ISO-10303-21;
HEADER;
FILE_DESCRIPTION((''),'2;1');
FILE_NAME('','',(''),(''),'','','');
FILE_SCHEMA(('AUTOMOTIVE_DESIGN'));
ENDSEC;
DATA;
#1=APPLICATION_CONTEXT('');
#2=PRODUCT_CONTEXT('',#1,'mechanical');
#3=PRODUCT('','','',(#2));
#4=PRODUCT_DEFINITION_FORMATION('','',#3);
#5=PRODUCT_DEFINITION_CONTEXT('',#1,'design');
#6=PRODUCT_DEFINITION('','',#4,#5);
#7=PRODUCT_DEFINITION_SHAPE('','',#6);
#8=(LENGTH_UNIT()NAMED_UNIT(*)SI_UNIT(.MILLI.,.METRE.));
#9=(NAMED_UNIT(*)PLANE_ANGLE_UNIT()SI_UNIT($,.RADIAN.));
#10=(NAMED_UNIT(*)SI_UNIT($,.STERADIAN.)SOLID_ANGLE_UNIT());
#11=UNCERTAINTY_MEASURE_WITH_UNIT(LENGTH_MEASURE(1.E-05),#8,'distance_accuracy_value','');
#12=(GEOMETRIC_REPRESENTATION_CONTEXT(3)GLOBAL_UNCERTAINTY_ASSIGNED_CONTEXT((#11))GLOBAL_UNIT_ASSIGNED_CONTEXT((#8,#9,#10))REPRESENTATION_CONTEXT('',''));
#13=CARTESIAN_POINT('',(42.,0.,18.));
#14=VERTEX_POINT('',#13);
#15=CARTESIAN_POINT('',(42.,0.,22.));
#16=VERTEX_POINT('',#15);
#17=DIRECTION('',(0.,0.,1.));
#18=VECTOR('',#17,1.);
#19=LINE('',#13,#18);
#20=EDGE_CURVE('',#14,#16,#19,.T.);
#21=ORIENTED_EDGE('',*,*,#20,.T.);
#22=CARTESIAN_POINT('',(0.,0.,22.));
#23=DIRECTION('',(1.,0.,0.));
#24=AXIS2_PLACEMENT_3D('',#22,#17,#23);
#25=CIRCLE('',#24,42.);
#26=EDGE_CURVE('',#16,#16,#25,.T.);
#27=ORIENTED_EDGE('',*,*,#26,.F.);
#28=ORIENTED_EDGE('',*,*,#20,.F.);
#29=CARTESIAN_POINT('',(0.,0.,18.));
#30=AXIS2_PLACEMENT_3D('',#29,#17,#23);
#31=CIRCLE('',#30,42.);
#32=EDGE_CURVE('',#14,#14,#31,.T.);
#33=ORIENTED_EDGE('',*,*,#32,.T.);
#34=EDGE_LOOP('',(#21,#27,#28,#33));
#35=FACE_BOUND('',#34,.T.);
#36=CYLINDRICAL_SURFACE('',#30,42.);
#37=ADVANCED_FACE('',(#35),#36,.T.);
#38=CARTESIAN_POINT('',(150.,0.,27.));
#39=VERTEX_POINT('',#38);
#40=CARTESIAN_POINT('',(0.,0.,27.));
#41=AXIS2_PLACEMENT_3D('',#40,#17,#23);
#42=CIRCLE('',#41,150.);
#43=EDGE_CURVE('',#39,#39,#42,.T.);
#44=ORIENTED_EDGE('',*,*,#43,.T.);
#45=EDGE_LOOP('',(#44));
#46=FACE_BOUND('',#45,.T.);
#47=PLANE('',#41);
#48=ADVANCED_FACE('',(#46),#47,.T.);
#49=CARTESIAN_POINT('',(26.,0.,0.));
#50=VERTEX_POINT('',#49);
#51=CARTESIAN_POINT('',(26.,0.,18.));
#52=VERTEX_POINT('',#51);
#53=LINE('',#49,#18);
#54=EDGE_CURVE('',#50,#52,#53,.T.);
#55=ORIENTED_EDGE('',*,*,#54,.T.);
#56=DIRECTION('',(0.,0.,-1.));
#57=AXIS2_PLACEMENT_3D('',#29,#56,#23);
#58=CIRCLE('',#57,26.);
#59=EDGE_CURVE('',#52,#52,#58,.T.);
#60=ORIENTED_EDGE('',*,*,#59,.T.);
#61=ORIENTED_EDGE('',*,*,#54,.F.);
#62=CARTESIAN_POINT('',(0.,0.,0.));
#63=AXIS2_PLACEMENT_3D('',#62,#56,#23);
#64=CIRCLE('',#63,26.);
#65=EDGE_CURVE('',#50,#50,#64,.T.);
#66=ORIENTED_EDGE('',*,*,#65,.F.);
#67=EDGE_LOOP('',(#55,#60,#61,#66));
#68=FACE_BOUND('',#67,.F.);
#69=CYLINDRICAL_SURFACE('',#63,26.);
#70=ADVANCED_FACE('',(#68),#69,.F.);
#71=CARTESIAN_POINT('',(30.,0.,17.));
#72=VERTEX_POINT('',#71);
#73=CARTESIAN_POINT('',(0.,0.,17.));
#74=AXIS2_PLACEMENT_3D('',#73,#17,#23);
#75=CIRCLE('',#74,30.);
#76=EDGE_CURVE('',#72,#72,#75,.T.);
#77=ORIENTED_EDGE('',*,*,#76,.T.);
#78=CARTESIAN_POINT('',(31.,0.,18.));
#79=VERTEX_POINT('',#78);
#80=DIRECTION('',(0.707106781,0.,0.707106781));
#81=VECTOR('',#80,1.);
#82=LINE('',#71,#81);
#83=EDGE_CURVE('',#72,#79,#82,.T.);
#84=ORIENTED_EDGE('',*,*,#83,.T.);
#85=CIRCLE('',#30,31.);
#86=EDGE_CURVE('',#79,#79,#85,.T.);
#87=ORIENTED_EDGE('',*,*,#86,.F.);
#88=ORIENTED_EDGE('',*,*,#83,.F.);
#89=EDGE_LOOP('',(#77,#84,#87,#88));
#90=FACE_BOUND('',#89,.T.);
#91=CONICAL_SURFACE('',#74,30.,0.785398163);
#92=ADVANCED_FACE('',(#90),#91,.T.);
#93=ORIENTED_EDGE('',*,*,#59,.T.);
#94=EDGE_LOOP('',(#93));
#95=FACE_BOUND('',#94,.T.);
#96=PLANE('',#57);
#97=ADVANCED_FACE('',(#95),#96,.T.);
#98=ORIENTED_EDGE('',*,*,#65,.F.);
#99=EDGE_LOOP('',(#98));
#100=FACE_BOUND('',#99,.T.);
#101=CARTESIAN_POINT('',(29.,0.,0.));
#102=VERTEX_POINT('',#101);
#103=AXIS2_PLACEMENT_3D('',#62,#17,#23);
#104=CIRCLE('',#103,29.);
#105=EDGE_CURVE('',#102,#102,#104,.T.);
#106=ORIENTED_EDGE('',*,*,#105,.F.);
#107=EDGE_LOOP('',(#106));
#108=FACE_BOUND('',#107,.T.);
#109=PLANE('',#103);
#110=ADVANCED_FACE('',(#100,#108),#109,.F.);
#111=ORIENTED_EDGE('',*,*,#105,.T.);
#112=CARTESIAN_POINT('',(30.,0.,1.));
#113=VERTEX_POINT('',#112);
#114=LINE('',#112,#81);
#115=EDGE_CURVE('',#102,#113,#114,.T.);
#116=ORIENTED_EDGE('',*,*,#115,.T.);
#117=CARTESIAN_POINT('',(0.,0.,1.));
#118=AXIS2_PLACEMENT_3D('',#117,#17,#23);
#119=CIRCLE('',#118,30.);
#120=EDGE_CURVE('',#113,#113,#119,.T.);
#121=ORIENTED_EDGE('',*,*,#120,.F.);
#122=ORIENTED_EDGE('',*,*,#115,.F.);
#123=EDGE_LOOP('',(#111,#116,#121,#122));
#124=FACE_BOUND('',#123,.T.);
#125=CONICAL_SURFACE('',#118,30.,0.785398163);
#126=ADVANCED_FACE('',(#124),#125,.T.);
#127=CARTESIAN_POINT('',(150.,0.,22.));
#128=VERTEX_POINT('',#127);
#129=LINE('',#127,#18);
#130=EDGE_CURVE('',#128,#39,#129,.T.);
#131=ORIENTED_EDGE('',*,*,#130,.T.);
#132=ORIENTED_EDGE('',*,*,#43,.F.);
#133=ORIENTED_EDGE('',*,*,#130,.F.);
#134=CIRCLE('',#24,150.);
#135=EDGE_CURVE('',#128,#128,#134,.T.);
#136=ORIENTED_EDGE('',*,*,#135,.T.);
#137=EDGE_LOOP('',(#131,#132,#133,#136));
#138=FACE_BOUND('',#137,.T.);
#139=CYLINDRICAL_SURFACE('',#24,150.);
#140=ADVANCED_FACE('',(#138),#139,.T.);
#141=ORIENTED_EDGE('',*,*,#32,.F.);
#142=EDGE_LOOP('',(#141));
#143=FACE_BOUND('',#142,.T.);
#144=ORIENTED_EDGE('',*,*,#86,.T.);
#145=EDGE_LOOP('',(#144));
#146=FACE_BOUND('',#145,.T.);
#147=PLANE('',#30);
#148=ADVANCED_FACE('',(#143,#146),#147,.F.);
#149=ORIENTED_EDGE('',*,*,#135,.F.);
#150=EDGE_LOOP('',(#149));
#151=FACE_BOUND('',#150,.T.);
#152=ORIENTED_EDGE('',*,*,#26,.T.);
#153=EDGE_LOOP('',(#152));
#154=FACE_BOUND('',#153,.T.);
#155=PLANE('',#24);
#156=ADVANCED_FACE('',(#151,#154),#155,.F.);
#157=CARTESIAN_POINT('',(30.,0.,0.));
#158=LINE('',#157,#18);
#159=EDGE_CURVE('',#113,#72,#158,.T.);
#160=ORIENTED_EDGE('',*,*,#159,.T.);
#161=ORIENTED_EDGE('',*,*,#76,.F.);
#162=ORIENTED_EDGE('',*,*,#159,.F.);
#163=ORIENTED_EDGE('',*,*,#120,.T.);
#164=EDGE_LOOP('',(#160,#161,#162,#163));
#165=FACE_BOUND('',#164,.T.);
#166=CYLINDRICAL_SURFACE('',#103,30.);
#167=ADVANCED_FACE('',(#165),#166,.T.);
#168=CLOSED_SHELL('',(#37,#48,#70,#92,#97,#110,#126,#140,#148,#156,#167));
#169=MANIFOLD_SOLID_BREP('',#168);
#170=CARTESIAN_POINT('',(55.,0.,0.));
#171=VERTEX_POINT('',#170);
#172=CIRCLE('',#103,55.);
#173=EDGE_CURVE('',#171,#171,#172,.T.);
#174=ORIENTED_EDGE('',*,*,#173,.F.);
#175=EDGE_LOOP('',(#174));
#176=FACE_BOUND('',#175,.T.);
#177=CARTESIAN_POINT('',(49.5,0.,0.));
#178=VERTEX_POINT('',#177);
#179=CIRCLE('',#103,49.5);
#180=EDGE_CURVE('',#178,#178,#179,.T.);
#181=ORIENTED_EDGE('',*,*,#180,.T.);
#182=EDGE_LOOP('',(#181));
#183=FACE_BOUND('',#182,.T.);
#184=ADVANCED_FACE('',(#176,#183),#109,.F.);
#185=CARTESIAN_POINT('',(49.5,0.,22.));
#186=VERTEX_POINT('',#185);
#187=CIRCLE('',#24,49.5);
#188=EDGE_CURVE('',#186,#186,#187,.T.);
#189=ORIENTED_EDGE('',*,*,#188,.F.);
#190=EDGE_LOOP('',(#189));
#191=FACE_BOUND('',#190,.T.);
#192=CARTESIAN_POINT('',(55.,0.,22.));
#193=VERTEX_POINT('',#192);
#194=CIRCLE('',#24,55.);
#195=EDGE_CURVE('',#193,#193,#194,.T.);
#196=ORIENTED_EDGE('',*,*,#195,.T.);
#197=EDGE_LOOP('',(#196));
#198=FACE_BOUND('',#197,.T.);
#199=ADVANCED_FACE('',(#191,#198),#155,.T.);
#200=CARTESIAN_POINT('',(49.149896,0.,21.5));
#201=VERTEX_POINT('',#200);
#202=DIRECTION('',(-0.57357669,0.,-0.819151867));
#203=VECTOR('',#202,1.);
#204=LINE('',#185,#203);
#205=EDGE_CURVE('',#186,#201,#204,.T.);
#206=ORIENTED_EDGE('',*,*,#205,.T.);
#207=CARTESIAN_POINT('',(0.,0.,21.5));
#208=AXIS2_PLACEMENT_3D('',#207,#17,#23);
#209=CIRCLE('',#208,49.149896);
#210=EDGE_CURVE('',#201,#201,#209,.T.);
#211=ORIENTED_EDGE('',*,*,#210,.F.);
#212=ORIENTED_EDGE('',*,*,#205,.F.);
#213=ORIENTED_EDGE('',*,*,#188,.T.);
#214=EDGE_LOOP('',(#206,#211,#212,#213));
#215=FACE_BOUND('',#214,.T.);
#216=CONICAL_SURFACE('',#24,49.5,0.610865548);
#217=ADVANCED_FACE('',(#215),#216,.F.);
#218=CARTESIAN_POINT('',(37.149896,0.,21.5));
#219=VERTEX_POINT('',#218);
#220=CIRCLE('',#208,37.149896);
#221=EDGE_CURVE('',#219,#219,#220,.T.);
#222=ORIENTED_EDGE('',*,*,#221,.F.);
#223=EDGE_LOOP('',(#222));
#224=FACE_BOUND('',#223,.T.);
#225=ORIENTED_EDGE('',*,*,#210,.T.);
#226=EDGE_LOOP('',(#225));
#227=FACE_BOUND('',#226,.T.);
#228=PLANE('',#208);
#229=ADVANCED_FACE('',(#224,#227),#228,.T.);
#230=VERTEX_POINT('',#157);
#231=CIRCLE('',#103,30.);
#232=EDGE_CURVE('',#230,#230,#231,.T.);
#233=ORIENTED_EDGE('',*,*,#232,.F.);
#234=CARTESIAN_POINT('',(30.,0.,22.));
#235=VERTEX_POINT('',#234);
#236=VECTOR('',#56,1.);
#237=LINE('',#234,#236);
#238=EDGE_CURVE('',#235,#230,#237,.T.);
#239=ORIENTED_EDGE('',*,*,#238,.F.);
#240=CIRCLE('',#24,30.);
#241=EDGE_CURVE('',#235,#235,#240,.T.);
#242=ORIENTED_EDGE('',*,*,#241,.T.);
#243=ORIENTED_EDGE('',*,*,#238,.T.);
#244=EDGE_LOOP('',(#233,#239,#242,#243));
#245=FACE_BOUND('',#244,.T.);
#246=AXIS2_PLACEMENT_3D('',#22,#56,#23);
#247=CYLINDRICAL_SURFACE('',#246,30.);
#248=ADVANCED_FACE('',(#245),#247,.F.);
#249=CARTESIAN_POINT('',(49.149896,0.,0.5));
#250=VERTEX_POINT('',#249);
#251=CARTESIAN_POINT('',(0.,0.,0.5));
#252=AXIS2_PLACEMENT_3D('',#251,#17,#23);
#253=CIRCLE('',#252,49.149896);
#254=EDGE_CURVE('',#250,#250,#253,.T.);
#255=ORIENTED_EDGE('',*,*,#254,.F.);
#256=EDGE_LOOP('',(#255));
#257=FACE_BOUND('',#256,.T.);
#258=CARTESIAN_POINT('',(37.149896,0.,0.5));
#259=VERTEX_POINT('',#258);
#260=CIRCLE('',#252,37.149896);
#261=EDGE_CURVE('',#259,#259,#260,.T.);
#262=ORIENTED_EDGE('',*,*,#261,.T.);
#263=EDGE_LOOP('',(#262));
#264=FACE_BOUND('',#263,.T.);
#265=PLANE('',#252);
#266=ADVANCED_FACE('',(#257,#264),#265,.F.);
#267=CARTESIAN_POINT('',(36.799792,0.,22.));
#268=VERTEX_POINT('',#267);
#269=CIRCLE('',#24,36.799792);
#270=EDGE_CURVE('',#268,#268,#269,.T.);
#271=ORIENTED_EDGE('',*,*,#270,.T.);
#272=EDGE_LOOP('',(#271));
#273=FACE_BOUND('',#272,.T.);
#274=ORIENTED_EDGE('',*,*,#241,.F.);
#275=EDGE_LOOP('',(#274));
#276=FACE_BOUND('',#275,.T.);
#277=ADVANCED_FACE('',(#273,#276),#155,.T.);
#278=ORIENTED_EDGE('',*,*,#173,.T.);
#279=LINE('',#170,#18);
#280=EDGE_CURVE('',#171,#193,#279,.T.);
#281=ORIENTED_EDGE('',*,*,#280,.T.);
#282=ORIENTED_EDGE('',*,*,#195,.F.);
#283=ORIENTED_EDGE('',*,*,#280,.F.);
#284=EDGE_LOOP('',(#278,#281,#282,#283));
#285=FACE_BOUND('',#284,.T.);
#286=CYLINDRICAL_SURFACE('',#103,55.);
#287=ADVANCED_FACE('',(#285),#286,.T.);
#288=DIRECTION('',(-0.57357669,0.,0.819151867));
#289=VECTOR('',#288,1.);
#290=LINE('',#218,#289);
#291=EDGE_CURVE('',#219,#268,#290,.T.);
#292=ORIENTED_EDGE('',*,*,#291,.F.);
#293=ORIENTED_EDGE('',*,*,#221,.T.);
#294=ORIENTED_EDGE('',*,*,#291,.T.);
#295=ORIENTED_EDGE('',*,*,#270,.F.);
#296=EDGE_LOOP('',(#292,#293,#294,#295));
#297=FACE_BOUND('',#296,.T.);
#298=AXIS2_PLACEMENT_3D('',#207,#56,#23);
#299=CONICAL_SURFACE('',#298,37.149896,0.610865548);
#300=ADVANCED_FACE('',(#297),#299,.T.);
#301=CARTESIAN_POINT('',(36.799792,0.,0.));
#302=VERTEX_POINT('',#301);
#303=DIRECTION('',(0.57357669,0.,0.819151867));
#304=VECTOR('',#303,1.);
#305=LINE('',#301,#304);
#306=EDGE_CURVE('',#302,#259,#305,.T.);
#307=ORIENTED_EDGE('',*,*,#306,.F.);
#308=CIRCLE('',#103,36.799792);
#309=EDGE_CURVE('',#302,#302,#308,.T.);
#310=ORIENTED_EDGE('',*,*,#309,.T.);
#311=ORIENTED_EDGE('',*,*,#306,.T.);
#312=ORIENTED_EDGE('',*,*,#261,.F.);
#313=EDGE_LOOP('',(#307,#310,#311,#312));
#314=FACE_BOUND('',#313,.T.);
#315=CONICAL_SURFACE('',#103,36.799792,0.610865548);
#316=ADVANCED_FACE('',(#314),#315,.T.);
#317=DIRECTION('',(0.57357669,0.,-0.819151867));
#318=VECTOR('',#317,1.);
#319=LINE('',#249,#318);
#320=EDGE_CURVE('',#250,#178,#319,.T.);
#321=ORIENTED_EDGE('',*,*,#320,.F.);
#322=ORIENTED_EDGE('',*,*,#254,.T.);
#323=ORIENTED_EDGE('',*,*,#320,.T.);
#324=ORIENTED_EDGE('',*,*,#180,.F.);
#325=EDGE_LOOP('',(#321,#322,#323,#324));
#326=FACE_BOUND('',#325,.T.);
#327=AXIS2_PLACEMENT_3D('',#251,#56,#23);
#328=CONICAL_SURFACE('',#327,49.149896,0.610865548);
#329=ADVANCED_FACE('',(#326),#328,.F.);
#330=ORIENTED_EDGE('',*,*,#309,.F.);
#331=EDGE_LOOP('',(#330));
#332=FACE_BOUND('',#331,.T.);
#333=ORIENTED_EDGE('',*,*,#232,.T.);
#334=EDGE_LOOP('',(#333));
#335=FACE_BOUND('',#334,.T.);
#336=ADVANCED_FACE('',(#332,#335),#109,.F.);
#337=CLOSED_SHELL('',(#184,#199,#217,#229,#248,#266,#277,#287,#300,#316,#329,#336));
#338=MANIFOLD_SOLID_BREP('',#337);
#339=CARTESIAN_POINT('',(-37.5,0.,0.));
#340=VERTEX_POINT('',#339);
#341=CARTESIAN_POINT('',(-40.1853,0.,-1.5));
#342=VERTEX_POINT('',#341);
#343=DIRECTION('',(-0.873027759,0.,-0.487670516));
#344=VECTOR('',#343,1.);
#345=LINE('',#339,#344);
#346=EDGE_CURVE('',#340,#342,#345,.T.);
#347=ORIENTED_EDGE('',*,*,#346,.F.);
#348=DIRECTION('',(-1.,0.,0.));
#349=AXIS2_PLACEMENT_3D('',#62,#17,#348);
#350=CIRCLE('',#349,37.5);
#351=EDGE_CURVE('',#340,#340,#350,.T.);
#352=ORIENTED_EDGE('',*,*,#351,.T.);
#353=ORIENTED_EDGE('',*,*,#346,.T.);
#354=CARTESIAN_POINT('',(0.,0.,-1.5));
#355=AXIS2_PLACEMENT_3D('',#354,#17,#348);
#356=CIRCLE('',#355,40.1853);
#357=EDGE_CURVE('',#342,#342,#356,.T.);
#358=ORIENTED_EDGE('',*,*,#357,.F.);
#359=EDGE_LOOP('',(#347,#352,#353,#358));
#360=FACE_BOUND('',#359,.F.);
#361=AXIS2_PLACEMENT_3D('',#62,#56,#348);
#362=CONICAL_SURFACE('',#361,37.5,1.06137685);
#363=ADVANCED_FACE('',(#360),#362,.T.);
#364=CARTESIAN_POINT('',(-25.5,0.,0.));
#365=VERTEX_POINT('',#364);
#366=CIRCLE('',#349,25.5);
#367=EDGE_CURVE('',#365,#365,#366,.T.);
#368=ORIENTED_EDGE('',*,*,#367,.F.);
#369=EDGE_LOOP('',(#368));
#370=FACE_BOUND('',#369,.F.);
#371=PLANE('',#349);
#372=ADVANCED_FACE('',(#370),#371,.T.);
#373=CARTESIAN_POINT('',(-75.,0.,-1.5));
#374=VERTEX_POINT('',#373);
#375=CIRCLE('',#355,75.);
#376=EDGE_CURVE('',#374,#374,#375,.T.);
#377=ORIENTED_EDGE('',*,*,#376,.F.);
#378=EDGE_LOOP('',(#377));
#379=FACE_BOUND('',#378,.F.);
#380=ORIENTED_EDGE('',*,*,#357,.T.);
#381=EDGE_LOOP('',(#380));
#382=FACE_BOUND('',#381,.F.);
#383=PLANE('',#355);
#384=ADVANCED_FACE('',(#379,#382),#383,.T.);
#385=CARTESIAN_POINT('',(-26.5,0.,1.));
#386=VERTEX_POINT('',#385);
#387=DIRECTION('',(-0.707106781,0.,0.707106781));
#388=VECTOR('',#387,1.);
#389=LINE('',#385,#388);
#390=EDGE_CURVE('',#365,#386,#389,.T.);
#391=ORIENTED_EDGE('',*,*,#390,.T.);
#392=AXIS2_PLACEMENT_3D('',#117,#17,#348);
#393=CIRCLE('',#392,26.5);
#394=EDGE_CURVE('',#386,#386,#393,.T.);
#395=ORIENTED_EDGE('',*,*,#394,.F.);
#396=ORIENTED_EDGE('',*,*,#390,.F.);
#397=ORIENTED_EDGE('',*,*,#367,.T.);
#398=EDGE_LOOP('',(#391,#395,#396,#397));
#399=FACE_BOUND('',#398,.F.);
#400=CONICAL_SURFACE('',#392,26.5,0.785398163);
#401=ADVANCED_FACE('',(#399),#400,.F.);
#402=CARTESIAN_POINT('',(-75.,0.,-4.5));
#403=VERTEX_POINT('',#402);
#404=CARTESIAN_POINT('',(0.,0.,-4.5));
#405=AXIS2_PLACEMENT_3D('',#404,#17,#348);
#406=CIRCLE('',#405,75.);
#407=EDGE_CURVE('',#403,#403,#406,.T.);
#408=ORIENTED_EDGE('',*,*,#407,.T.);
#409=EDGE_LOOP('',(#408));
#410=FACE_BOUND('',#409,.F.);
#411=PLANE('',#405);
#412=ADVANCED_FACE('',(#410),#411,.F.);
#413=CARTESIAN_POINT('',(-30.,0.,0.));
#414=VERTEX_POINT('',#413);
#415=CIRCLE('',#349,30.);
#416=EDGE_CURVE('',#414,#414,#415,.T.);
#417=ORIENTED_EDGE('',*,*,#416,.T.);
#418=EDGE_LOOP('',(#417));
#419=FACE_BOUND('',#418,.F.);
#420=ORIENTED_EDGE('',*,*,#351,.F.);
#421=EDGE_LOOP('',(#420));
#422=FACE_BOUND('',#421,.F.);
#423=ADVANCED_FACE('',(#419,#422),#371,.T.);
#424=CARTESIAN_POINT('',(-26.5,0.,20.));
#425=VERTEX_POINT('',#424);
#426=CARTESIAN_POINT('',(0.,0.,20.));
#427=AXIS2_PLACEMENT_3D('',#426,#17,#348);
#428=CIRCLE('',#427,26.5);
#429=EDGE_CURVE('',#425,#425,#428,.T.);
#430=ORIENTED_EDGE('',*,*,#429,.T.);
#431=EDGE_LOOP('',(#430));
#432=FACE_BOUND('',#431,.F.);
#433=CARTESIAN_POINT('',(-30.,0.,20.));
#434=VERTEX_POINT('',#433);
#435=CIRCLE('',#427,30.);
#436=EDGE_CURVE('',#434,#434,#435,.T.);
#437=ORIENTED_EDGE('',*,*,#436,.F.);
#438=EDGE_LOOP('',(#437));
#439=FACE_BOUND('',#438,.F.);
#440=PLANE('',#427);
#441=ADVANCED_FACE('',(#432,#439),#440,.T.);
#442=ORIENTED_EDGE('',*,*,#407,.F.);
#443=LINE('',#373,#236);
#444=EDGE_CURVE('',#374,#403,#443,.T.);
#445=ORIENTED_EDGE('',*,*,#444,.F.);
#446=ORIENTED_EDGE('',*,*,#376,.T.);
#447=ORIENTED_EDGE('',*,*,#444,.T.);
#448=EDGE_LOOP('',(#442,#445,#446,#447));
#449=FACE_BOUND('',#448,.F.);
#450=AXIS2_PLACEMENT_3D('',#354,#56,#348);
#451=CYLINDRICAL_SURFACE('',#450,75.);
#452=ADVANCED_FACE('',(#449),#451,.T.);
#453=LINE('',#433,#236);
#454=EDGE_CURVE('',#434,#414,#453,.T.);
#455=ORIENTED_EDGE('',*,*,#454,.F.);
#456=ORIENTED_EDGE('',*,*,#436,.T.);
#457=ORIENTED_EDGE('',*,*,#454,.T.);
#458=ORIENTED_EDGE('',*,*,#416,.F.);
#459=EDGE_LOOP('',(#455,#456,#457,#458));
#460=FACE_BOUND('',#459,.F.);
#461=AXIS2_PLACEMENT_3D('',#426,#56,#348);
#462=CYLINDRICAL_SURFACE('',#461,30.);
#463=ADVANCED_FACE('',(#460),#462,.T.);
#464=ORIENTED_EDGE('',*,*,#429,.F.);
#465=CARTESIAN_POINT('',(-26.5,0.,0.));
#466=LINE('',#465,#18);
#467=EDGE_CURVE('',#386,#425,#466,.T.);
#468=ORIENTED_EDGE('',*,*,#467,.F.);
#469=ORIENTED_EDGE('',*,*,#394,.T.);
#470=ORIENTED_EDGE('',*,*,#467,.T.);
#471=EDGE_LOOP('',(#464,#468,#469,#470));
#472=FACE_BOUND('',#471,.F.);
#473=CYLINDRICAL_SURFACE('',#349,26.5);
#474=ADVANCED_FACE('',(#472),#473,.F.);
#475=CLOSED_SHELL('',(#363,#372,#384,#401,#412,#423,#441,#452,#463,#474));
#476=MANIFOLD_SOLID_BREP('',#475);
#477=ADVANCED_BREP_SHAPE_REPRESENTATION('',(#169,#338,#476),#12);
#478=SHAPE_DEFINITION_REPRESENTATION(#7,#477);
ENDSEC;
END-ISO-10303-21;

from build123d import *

# Parameters (mm, degrees)
SKETCH007_R     = 26
POCKET_DEPTH    = 18
CHAMFER_SIZE    = 1
CHAMFER001_SIZE = 1


with BuildPart() as body:
    # Sketch006 (on XZ_Plane of Origin) → Revolution001 (revolve)
    with BuildSketch(Plane.XZ):
        Polygon((0, 0), (30, 0), (30, 18), (42, 18), (42, 22), (150, 22), (150, 27), (0, 27), align=None)
    revolve(axis=Axis((0, 0, 0), (0, 0, 1)))

    # Sketch007 (on Face1 of Revolution001) → Pocket (cut)
    with BuildSketch(Plane(origin=(0, 0, 0), x_dir=(1, 0, 0), z_dir=(0, 0, -1))):
        Circle(SKETCH007_R)
    extrude(amount=-POCKET_DEPTH, mode=Mode.SUBTRACT)

    # Chamfer
    chamfer_edges = [body.edges().sort_by_distance(p)[0] for p in [
        (-30, 0, 0),
        (-30, 0, 18),
    ]]
    chamfer(chamfer_edges, length=CHAMFER_SIZE)


with BuildPart() as body001:
    # Sketch (on XZ_Plane of Origin002) → Revolution (revolve)
    with BuildSketch(Plane.XZ):
        Polygon((30, 22), (30, 0), (36.799792, 0), (37.149896, 0.5), (49.149896, 0.5), (49.5, 0), (55, 0), (55, 22), (49.5, 22), (49.149896, 21.5), (37.149896, 21.5), (36.799792, 22), align=None)
    revolve(axis=Axis((0, 0, 0), (0, 0, 1)))


with BuildPart() as body002:
    # Sketch008 (on XZ_Plane002 of Origin004) → Revolution002 (revolve)
    with BuildSketch(Plane.XZ):
        Polygon((0, 0), (-26.5, 0), (-26.5, 20), (-30, 20), (-30, 0), (-37.5, 0), (-37.5, -3), (0, -3), align=None)
    revolve(axis=Axis((0, 0, 0), (0, 0, 1)))

    # Chamfer001
    chamfer001_edges = [body002.edges().sort_by_distance(p)[0] for p in [
        (26.5, 0, 0),
    ]]
    chamfer(chamfer001_edges, length=CHAMFER001_SIZE)

    # Sketch009 (on XZ_Plane002 of Origin004) → Revolution003 (revolve)
    with BuildSketch(Plane.XZ):
        Polygon((-37.5, 0), (-40.1853, -1.5), (-75, -1.5), (-75, -4.5), (0, -4.5), (0, -3), (-37.5, -3), align=None)
    revolve(axis=Axis((0, 0, 0), (0, 0, 1)))


solid = Compound([body.part, body001.part, body002.part])
